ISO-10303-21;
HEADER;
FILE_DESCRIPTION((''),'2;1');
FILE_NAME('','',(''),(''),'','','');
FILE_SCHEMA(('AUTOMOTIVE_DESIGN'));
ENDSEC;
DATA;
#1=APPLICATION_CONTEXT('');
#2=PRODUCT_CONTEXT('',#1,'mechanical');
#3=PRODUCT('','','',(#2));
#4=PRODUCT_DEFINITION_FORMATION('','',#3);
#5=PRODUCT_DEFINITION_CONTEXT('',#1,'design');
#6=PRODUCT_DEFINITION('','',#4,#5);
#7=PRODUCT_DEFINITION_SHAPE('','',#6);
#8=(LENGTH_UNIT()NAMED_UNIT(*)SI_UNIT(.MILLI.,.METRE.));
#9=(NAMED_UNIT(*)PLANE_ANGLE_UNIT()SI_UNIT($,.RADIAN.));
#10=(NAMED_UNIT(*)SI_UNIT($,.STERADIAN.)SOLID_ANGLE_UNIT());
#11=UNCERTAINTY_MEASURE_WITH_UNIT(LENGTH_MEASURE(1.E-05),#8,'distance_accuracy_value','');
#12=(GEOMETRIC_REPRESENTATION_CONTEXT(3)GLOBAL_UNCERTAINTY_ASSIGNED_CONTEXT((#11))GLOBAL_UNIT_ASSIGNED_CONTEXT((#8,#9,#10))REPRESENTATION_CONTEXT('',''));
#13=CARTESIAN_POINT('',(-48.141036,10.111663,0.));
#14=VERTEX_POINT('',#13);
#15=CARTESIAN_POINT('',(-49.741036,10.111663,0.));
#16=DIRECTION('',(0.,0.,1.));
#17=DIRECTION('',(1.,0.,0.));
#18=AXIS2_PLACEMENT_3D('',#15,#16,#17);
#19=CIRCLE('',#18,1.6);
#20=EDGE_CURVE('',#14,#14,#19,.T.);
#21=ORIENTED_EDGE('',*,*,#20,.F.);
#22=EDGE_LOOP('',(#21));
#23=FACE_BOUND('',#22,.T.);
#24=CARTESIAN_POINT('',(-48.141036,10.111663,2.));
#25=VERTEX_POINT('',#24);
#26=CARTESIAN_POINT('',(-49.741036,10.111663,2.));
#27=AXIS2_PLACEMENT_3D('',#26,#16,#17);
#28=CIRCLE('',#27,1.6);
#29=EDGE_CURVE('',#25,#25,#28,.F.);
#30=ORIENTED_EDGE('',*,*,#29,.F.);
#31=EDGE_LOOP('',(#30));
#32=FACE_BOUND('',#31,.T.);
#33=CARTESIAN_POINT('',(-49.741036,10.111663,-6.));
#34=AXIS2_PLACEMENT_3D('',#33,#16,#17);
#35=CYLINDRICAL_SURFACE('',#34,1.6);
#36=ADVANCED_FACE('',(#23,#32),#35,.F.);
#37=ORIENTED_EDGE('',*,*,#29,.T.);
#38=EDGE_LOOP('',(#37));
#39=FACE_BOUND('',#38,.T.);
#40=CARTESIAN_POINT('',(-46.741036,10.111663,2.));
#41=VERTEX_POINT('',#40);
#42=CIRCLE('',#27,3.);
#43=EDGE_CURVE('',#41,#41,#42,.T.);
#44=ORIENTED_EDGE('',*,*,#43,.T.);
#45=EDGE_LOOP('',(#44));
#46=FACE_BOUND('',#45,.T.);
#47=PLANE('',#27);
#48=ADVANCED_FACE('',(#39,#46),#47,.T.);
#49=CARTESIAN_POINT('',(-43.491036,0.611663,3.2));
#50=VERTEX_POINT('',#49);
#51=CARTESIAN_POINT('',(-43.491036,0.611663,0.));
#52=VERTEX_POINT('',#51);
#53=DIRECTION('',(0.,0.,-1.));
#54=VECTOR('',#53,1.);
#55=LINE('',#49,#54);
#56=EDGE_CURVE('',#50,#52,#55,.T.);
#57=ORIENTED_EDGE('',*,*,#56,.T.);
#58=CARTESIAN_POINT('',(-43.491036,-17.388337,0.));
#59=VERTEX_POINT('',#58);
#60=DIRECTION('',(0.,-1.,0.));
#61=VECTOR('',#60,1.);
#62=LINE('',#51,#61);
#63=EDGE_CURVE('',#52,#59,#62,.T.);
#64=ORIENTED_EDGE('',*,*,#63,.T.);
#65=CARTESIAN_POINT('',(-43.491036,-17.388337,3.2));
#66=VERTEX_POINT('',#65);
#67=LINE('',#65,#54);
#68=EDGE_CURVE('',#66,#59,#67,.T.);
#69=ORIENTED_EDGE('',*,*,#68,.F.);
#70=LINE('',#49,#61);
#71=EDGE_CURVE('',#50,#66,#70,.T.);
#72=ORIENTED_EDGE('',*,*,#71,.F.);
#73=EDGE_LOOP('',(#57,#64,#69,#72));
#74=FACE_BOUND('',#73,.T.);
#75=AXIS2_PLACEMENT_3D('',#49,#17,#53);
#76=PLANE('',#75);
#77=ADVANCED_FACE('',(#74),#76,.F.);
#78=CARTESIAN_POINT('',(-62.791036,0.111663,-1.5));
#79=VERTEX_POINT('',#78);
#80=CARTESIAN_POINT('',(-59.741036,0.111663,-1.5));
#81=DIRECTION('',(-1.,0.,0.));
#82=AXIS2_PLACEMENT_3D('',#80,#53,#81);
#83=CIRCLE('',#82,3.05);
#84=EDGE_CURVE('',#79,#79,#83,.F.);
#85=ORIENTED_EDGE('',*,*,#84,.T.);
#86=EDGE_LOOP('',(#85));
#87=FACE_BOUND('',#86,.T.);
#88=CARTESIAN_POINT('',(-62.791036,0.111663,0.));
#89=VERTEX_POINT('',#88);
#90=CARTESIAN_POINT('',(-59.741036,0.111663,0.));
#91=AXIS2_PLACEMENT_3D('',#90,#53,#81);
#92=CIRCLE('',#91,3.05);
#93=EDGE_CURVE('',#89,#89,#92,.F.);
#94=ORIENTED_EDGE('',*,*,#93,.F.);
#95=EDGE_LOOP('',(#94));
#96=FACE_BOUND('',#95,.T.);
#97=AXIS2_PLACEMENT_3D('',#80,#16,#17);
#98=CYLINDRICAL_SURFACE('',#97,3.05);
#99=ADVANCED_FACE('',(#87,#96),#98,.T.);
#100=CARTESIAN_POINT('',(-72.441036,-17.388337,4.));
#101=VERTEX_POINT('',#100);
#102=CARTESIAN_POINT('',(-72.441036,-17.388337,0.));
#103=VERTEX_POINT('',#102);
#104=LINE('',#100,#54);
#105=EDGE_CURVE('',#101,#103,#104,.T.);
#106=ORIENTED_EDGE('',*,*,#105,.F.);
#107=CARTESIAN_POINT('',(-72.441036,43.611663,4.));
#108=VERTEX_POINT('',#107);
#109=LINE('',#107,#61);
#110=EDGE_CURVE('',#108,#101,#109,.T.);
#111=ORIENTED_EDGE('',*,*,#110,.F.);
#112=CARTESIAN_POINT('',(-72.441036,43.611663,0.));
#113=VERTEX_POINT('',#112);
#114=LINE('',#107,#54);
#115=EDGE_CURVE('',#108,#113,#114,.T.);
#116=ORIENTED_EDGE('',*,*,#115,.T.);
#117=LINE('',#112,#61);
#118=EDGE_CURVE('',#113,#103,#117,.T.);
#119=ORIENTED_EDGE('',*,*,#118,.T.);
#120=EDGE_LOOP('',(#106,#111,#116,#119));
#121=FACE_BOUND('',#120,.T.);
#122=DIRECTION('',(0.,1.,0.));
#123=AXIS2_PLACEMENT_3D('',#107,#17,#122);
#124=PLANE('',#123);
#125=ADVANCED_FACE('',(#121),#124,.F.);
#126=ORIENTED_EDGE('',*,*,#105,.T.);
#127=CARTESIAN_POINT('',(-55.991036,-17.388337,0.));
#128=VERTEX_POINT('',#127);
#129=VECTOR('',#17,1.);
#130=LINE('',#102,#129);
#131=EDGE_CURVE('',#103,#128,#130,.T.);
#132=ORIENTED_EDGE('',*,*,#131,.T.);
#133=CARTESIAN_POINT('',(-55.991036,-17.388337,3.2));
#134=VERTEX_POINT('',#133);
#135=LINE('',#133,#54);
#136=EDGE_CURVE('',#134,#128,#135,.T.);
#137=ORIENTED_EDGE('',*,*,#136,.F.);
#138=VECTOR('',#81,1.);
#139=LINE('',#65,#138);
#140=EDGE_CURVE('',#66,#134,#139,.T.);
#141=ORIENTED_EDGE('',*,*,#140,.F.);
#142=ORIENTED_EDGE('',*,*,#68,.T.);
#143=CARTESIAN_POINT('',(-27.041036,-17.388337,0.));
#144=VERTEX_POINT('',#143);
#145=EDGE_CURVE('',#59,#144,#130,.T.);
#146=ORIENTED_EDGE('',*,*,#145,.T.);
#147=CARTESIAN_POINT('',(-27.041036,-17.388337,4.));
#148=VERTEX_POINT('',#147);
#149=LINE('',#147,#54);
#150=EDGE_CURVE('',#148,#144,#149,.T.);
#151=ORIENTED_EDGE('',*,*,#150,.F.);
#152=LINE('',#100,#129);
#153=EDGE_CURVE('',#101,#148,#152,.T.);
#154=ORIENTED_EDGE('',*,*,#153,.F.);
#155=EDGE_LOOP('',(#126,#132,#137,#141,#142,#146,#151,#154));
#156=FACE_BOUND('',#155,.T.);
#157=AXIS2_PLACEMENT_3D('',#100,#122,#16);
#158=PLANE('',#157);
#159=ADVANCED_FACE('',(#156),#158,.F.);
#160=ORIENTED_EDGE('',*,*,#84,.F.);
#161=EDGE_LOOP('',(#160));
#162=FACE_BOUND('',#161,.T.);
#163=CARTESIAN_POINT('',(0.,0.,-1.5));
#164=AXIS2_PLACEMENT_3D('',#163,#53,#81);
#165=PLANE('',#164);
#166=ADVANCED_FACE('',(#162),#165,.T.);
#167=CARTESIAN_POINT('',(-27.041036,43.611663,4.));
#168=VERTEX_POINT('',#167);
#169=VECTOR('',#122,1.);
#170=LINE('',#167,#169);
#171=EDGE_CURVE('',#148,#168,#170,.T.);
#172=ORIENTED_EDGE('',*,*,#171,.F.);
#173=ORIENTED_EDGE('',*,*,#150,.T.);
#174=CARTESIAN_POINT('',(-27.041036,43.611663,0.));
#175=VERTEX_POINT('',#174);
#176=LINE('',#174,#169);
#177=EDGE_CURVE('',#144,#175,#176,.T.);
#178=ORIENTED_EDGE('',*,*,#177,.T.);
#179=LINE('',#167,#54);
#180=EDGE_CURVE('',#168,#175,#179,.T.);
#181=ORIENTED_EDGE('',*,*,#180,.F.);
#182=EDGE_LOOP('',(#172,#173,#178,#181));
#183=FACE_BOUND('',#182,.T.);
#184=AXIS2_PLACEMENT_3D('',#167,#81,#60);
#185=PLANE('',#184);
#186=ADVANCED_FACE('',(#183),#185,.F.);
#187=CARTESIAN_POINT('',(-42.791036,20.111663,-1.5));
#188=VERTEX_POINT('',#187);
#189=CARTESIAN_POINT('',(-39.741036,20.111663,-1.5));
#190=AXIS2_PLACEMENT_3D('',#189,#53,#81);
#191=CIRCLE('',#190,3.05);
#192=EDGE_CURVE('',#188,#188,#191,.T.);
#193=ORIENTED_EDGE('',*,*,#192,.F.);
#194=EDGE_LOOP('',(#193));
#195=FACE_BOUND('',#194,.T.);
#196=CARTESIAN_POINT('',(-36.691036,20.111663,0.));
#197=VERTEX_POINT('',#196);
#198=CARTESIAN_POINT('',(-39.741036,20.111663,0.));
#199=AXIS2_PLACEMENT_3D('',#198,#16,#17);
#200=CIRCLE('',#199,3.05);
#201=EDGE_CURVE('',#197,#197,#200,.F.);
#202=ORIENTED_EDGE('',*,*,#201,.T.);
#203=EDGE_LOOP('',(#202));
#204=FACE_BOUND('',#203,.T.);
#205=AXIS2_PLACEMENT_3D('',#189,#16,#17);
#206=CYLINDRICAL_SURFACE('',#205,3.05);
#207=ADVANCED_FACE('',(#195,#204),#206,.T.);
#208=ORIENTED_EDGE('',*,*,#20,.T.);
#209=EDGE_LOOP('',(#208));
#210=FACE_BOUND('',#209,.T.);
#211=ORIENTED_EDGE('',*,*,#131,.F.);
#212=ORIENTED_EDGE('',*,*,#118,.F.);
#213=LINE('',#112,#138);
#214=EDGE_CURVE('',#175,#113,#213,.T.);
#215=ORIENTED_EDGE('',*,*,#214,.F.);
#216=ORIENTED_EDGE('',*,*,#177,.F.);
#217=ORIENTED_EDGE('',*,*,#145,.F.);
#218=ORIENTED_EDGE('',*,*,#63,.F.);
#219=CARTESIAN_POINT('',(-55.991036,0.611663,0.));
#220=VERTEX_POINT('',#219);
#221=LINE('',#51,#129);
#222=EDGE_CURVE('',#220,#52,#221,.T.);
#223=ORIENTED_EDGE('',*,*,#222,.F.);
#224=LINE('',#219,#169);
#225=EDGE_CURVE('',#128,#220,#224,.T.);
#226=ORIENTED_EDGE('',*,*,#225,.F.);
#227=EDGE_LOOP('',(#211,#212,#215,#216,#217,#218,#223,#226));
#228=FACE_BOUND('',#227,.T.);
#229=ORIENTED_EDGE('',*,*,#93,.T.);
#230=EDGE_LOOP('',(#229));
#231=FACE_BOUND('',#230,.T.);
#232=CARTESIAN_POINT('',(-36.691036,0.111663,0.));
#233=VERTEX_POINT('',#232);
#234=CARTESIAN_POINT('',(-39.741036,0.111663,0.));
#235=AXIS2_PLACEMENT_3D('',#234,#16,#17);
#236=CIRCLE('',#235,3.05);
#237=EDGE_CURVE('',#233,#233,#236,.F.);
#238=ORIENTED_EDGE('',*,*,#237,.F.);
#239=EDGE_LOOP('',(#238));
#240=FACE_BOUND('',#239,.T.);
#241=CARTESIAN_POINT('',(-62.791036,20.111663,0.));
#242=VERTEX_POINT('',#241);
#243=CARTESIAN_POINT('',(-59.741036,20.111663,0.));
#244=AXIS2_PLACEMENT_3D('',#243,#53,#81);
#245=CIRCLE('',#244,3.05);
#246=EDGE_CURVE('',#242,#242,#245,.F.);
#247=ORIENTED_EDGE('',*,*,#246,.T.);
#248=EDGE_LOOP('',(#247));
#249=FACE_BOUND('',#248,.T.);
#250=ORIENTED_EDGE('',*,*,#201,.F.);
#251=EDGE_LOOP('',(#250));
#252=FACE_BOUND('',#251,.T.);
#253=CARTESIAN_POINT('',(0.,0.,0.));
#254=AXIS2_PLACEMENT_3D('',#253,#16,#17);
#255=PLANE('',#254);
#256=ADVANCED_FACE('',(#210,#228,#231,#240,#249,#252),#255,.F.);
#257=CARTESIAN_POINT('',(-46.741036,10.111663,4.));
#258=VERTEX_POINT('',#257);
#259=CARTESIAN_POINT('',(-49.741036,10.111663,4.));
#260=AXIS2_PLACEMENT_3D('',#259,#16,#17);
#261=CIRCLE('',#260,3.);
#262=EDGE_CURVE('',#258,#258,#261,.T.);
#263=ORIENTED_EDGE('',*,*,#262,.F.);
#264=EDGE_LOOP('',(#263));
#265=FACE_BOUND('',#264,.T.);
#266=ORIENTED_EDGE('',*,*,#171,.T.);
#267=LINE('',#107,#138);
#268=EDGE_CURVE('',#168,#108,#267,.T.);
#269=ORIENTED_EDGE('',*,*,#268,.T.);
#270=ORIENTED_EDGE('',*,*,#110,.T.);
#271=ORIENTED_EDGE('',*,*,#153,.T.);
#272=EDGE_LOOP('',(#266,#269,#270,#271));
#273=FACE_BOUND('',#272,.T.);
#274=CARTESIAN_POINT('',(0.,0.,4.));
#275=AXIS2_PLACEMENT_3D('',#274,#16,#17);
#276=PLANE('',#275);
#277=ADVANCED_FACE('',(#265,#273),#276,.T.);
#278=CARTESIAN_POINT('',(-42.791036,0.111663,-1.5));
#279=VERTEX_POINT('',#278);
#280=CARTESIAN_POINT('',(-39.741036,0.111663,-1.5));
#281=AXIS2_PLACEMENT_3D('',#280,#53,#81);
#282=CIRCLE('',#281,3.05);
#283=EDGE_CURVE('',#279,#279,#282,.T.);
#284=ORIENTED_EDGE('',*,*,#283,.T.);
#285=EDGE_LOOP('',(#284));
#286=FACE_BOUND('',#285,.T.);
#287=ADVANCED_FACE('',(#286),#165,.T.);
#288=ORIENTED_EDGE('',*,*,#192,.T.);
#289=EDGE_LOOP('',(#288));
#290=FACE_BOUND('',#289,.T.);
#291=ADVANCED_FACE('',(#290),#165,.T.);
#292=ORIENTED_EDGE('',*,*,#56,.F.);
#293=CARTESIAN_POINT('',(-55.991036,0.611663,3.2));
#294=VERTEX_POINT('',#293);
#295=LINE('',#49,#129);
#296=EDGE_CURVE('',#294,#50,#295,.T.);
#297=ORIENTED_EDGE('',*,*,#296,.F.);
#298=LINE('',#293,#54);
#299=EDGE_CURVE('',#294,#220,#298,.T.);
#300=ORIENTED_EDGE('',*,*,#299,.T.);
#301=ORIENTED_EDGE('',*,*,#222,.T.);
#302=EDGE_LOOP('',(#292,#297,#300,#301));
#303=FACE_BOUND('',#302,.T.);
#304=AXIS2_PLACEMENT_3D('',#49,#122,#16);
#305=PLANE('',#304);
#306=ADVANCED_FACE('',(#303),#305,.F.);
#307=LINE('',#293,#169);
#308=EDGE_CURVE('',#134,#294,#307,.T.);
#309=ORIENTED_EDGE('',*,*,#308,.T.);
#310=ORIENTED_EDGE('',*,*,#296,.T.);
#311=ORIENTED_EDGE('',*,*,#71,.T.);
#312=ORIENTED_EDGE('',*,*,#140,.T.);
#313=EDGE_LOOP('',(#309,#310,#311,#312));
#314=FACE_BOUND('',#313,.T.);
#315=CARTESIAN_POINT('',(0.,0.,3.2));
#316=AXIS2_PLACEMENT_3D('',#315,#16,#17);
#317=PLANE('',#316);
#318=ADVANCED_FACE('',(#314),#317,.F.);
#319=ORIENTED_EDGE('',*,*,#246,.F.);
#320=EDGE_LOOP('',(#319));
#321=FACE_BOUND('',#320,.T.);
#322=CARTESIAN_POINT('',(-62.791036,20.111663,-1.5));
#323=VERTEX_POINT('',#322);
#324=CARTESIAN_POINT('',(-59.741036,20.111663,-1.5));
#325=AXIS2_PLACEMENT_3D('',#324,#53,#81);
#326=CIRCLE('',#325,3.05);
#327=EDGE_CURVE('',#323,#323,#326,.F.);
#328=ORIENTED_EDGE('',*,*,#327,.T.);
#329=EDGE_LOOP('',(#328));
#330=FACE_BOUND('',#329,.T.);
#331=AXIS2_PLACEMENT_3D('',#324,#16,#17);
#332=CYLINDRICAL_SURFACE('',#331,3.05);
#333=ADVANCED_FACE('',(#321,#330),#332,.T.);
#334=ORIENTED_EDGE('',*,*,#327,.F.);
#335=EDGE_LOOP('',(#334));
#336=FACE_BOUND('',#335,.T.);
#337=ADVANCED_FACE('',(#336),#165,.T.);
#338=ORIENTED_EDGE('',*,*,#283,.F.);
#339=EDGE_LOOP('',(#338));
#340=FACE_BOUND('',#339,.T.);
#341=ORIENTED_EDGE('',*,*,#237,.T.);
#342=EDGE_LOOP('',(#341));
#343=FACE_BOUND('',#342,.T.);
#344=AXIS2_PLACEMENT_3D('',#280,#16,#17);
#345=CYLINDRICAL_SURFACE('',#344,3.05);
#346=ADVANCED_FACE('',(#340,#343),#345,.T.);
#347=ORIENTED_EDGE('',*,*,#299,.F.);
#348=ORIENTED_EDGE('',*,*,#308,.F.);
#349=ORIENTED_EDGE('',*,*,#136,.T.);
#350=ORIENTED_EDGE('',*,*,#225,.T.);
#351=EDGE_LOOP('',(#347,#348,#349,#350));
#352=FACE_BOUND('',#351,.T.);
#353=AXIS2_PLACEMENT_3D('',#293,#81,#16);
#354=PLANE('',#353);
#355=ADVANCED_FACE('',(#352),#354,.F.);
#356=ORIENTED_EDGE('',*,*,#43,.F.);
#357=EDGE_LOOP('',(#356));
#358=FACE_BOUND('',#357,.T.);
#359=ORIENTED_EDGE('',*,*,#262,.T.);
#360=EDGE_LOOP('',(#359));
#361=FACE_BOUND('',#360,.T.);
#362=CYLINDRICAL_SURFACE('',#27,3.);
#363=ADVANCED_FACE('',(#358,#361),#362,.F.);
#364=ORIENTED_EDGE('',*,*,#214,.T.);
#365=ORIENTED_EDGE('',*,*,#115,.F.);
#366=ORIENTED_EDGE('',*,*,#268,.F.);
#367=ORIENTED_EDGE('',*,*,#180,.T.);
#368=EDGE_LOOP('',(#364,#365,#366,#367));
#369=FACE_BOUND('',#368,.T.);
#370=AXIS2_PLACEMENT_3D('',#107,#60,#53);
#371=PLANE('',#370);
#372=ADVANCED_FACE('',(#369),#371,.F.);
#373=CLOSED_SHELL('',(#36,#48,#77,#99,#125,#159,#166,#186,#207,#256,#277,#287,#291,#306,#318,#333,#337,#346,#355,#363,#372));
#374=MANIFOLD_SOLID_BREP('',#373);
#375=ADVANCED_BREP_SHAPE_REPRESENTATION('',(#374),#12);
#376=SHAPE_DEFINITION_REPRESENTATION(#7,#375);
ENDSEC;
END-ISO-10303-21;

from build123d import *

# Parameters (mm, degrees)
SKETCH_1_W          = 45.4
SKETCH_1_H          = 61
EXTRUDE_1_DEPTH     = 4
SKETCH_2_W          = 12.5
SKETCH_2_H          = 18
CUT_EXTRUDE_1_DEPTH = 3.2
SKETCH_4_R          = 1.6
CUT_EXTRUDE_2_DEPTH = 10
SKETCH_5_R          = 3
CUT_EXTRUDE_3_DEPTH = 2
SKETCH_3_R          = 3.05
EXTRUDE_2_DEPTH     = 1.5


with BuildPart() as part:
    # 草图1 → 凸台-拉伸1 (new body)
    with BuildSketch(Plane.XY):
        with Locations((-49.741035857, 13.111663348)):
            Rectangle(SKETCH_1_W, SKETCH_1_H)
    extrude(amount=EXTRUDE_1_DEPTH)

    # 草图2 → 切除-拉伸1 (cut)
    with BuildSketch(Plane(origin=(0, 0, 0), x_dir=(-1, 0, 0), z_dir=(0, 0, -1))):
        with Locations((49.741035857, -8.388336652)):
            Rectangle(SKETCH_2_W, SKETCH_2_H)
    extrude(amount=-CUT_EXTRUDE_1_DEPTH, mode=Mode.SUBTRACT)

    # 草图4 → 切除-拉伸2 (cut)
    with BuildSketch(Plane.XY.offset(4)):
        with Locations((-49.741035857, 10.111663348)):
            Circle(SKETCH_4_R)
    extrude(amount=-CUT_EXTRUDE_2_DEPTH, mode=Mode.SUBTRACT)

    # 草图5 → 切除-拉伸3 (cut)
    with BuildSketch(Plane.XY.offset(4)):
        with Locations((-49.741035857, 10.111663348)):
            Circle(SKETCH_5_R)
    extrude(amount=-CUT_EXTRUDE_3_DEPTH, mode=Mode.SUBTRACT)

    # 草图3 → 凸台-拉伸2 (add)
    with BuildSketch(Plane(origin=(0, 0, 0), x_dir=(-1, 0, 0), z_dir=(0, 0, -1))):
        with Locations(Location((39.741035857, 0.111663348, 0), (0, 0, 180))):
            Circle(SKETCH_3_R)
        with Locations(Location((39.741035857, 20.111663348, 0), (0, 0, 180))):
            Circle(SKETCH_3_R)
        with Locations((59.741035857, 0.111663348)):
            Circle(SKETCH_3_R)
        with Locations((59.741035857, 20.111663348)):
            Circle(SKETCH_3_R)
    extrude(amount=EXTRUDE_2_DEPTH)


solid = part.part
